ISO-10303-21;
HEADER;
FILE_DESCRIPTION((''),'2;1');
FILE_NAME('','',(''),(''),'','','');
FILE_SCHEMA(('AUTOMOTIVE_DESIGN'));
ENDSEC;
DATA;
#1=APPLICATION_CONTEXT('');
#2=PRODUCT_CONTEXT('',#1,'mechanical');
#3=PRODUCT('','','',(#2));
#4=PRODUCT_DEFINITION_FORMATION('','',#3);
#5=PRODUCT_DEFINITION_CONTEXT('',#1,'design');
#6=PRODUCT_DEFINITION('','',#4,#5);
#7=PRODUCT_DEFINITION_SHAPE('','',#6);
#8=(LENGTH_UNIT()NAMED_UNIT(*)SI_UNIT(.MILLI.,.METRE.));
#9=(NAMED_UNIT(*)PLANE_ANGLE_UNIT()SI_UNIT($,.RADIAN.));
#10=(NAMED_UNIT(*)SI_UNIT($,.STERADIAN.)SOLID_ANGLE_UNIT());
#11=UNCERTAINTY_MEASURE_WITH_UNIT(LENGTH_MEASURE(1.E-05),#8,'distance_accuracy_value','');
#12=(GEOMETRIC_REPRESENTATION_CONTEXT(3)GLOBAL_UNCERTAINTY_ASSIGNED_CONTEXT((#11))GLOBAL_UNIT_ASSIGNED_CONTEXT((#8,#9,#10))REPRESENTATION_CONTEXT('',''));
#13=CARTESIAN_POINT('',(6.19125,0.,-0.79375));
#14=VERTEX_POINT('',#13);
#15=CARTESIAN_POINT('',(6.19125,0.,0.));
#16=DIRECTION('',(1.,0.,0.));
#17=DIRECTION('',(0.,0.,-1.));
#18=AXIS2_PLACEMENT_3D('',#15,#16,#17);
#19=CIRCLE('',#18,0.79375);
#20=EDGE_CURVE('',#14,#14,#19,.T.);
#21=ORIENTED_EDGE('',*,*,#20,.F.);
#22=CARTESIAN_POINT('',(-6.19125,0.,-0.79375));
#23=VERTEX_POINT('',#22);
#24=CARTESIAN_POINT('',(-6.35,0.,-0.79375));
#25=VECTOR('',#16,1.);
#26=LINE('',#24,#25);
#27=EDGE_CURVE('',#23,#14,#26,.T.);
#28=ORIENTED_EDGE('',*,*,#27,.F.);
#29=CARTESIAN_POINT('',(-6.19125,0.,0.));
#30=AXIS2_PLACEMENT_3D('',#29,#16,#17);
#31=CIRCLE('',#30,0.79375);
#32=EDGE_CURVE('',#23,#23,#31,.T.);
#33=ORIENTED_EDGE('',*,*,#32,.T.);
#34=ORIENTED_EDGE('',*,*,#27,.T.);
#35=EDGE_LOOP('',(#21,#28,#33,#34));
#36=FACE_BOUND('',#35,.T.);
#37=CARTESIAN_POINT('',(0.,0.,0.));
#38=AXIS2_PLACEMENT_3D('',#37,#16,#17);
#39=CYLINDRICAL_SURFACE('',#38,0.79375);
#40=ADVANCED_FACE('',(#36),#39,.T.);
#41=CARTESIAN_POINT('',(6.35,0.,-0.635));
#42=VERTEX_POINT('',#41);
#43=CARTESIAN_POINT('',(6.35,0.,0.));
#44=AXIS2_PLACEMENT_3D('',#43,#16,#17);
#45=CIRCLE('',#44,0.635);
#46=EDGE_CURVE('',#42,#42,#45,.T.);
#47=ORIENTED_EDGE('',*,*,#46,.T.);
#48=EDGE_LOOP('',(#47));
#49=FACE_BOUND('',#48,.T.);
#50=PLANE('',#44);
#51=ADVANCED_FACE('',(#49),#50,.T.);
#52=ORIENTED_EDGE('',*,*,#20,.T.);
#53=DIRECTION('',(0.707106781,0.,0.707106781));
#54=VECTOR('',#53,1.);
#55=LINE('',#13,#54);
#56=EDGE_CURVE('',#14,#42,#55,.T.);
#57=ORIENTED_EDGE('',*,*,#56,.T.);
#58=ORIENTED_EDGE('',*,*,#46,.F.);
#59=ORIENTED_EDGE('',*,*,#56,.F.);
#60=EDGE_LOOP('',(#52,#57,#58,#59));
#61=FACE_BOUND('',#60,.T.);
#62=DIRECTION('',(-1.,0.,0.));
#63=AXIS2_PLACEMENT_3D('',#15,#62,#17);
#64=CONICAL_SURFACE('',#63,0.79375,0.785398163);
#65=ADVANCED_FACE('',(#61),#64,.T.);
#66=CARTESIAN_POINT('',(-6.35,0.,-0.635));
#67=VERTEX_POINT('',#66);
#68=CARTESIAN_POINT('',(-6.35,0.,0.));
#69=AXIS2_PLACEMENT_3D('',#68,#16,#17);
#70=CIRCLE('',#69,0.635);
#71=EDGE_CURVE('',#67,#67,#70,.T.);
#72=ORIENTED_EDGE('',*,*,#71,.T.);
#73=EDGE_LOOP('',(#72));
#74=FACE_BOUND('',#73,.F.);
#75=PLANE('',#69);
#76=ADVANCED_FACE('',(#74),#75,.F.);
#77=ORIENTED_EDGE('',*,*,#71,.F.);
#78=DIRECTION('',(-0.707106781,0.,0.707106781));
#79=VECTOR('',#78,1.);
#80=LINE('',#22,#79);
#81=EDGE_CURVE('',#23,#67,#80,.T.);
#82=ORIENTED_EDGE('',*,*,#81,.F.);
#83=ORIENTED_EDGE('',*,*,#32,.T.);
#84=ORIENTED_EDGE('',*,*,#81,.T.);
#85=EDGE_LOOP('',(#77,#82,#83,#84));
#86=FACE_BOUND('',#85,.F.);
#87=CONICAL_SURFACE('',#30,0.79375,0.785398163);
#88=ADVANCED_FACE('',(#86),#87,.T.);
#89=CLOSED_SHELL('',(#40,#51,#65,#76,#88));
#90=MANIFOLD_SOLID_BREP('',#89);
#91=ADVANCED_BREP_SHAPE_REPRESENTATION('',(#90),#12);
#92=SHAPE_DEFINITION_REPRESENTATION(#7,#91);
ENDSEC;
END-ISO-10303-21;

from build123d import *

# Parameters (mm, degrees)
SKETCH2_R           = 0.79375
EXTRUDE1_DEPTH      = 6.35
EXTRUDE1_DEPTH_BACK = 6.35
CHAMFER1_SIZE       = 0.15875


with BuildPart() as part:
    # Sketch2 → Extrude1 (new body, two sides)
    with BuildSketch(Plane(origin=(0, 0, 0), x_dir=(0, 0, -1), z_dir=(1, 0, 0))) as extrude1_sk:
        Circle(SKETCH2_R)
    extrude(amount=EXTRUDE1_DEPTH)
    extrude(extrude1_sk.sketch, amount=-EXTRUDE1_DEPTH_BACK)

    # Chamfer1
    chamfer1_edges = [part.edges().sort_by_distance(p)[0] for p in [
        (-6.35, 0, 0.79375),
        (6.35, 0, 0.79375),
    ]]
    chamfer(chamfer1_edges, length=CHAMFER1_SIZE)


solid = part.part
